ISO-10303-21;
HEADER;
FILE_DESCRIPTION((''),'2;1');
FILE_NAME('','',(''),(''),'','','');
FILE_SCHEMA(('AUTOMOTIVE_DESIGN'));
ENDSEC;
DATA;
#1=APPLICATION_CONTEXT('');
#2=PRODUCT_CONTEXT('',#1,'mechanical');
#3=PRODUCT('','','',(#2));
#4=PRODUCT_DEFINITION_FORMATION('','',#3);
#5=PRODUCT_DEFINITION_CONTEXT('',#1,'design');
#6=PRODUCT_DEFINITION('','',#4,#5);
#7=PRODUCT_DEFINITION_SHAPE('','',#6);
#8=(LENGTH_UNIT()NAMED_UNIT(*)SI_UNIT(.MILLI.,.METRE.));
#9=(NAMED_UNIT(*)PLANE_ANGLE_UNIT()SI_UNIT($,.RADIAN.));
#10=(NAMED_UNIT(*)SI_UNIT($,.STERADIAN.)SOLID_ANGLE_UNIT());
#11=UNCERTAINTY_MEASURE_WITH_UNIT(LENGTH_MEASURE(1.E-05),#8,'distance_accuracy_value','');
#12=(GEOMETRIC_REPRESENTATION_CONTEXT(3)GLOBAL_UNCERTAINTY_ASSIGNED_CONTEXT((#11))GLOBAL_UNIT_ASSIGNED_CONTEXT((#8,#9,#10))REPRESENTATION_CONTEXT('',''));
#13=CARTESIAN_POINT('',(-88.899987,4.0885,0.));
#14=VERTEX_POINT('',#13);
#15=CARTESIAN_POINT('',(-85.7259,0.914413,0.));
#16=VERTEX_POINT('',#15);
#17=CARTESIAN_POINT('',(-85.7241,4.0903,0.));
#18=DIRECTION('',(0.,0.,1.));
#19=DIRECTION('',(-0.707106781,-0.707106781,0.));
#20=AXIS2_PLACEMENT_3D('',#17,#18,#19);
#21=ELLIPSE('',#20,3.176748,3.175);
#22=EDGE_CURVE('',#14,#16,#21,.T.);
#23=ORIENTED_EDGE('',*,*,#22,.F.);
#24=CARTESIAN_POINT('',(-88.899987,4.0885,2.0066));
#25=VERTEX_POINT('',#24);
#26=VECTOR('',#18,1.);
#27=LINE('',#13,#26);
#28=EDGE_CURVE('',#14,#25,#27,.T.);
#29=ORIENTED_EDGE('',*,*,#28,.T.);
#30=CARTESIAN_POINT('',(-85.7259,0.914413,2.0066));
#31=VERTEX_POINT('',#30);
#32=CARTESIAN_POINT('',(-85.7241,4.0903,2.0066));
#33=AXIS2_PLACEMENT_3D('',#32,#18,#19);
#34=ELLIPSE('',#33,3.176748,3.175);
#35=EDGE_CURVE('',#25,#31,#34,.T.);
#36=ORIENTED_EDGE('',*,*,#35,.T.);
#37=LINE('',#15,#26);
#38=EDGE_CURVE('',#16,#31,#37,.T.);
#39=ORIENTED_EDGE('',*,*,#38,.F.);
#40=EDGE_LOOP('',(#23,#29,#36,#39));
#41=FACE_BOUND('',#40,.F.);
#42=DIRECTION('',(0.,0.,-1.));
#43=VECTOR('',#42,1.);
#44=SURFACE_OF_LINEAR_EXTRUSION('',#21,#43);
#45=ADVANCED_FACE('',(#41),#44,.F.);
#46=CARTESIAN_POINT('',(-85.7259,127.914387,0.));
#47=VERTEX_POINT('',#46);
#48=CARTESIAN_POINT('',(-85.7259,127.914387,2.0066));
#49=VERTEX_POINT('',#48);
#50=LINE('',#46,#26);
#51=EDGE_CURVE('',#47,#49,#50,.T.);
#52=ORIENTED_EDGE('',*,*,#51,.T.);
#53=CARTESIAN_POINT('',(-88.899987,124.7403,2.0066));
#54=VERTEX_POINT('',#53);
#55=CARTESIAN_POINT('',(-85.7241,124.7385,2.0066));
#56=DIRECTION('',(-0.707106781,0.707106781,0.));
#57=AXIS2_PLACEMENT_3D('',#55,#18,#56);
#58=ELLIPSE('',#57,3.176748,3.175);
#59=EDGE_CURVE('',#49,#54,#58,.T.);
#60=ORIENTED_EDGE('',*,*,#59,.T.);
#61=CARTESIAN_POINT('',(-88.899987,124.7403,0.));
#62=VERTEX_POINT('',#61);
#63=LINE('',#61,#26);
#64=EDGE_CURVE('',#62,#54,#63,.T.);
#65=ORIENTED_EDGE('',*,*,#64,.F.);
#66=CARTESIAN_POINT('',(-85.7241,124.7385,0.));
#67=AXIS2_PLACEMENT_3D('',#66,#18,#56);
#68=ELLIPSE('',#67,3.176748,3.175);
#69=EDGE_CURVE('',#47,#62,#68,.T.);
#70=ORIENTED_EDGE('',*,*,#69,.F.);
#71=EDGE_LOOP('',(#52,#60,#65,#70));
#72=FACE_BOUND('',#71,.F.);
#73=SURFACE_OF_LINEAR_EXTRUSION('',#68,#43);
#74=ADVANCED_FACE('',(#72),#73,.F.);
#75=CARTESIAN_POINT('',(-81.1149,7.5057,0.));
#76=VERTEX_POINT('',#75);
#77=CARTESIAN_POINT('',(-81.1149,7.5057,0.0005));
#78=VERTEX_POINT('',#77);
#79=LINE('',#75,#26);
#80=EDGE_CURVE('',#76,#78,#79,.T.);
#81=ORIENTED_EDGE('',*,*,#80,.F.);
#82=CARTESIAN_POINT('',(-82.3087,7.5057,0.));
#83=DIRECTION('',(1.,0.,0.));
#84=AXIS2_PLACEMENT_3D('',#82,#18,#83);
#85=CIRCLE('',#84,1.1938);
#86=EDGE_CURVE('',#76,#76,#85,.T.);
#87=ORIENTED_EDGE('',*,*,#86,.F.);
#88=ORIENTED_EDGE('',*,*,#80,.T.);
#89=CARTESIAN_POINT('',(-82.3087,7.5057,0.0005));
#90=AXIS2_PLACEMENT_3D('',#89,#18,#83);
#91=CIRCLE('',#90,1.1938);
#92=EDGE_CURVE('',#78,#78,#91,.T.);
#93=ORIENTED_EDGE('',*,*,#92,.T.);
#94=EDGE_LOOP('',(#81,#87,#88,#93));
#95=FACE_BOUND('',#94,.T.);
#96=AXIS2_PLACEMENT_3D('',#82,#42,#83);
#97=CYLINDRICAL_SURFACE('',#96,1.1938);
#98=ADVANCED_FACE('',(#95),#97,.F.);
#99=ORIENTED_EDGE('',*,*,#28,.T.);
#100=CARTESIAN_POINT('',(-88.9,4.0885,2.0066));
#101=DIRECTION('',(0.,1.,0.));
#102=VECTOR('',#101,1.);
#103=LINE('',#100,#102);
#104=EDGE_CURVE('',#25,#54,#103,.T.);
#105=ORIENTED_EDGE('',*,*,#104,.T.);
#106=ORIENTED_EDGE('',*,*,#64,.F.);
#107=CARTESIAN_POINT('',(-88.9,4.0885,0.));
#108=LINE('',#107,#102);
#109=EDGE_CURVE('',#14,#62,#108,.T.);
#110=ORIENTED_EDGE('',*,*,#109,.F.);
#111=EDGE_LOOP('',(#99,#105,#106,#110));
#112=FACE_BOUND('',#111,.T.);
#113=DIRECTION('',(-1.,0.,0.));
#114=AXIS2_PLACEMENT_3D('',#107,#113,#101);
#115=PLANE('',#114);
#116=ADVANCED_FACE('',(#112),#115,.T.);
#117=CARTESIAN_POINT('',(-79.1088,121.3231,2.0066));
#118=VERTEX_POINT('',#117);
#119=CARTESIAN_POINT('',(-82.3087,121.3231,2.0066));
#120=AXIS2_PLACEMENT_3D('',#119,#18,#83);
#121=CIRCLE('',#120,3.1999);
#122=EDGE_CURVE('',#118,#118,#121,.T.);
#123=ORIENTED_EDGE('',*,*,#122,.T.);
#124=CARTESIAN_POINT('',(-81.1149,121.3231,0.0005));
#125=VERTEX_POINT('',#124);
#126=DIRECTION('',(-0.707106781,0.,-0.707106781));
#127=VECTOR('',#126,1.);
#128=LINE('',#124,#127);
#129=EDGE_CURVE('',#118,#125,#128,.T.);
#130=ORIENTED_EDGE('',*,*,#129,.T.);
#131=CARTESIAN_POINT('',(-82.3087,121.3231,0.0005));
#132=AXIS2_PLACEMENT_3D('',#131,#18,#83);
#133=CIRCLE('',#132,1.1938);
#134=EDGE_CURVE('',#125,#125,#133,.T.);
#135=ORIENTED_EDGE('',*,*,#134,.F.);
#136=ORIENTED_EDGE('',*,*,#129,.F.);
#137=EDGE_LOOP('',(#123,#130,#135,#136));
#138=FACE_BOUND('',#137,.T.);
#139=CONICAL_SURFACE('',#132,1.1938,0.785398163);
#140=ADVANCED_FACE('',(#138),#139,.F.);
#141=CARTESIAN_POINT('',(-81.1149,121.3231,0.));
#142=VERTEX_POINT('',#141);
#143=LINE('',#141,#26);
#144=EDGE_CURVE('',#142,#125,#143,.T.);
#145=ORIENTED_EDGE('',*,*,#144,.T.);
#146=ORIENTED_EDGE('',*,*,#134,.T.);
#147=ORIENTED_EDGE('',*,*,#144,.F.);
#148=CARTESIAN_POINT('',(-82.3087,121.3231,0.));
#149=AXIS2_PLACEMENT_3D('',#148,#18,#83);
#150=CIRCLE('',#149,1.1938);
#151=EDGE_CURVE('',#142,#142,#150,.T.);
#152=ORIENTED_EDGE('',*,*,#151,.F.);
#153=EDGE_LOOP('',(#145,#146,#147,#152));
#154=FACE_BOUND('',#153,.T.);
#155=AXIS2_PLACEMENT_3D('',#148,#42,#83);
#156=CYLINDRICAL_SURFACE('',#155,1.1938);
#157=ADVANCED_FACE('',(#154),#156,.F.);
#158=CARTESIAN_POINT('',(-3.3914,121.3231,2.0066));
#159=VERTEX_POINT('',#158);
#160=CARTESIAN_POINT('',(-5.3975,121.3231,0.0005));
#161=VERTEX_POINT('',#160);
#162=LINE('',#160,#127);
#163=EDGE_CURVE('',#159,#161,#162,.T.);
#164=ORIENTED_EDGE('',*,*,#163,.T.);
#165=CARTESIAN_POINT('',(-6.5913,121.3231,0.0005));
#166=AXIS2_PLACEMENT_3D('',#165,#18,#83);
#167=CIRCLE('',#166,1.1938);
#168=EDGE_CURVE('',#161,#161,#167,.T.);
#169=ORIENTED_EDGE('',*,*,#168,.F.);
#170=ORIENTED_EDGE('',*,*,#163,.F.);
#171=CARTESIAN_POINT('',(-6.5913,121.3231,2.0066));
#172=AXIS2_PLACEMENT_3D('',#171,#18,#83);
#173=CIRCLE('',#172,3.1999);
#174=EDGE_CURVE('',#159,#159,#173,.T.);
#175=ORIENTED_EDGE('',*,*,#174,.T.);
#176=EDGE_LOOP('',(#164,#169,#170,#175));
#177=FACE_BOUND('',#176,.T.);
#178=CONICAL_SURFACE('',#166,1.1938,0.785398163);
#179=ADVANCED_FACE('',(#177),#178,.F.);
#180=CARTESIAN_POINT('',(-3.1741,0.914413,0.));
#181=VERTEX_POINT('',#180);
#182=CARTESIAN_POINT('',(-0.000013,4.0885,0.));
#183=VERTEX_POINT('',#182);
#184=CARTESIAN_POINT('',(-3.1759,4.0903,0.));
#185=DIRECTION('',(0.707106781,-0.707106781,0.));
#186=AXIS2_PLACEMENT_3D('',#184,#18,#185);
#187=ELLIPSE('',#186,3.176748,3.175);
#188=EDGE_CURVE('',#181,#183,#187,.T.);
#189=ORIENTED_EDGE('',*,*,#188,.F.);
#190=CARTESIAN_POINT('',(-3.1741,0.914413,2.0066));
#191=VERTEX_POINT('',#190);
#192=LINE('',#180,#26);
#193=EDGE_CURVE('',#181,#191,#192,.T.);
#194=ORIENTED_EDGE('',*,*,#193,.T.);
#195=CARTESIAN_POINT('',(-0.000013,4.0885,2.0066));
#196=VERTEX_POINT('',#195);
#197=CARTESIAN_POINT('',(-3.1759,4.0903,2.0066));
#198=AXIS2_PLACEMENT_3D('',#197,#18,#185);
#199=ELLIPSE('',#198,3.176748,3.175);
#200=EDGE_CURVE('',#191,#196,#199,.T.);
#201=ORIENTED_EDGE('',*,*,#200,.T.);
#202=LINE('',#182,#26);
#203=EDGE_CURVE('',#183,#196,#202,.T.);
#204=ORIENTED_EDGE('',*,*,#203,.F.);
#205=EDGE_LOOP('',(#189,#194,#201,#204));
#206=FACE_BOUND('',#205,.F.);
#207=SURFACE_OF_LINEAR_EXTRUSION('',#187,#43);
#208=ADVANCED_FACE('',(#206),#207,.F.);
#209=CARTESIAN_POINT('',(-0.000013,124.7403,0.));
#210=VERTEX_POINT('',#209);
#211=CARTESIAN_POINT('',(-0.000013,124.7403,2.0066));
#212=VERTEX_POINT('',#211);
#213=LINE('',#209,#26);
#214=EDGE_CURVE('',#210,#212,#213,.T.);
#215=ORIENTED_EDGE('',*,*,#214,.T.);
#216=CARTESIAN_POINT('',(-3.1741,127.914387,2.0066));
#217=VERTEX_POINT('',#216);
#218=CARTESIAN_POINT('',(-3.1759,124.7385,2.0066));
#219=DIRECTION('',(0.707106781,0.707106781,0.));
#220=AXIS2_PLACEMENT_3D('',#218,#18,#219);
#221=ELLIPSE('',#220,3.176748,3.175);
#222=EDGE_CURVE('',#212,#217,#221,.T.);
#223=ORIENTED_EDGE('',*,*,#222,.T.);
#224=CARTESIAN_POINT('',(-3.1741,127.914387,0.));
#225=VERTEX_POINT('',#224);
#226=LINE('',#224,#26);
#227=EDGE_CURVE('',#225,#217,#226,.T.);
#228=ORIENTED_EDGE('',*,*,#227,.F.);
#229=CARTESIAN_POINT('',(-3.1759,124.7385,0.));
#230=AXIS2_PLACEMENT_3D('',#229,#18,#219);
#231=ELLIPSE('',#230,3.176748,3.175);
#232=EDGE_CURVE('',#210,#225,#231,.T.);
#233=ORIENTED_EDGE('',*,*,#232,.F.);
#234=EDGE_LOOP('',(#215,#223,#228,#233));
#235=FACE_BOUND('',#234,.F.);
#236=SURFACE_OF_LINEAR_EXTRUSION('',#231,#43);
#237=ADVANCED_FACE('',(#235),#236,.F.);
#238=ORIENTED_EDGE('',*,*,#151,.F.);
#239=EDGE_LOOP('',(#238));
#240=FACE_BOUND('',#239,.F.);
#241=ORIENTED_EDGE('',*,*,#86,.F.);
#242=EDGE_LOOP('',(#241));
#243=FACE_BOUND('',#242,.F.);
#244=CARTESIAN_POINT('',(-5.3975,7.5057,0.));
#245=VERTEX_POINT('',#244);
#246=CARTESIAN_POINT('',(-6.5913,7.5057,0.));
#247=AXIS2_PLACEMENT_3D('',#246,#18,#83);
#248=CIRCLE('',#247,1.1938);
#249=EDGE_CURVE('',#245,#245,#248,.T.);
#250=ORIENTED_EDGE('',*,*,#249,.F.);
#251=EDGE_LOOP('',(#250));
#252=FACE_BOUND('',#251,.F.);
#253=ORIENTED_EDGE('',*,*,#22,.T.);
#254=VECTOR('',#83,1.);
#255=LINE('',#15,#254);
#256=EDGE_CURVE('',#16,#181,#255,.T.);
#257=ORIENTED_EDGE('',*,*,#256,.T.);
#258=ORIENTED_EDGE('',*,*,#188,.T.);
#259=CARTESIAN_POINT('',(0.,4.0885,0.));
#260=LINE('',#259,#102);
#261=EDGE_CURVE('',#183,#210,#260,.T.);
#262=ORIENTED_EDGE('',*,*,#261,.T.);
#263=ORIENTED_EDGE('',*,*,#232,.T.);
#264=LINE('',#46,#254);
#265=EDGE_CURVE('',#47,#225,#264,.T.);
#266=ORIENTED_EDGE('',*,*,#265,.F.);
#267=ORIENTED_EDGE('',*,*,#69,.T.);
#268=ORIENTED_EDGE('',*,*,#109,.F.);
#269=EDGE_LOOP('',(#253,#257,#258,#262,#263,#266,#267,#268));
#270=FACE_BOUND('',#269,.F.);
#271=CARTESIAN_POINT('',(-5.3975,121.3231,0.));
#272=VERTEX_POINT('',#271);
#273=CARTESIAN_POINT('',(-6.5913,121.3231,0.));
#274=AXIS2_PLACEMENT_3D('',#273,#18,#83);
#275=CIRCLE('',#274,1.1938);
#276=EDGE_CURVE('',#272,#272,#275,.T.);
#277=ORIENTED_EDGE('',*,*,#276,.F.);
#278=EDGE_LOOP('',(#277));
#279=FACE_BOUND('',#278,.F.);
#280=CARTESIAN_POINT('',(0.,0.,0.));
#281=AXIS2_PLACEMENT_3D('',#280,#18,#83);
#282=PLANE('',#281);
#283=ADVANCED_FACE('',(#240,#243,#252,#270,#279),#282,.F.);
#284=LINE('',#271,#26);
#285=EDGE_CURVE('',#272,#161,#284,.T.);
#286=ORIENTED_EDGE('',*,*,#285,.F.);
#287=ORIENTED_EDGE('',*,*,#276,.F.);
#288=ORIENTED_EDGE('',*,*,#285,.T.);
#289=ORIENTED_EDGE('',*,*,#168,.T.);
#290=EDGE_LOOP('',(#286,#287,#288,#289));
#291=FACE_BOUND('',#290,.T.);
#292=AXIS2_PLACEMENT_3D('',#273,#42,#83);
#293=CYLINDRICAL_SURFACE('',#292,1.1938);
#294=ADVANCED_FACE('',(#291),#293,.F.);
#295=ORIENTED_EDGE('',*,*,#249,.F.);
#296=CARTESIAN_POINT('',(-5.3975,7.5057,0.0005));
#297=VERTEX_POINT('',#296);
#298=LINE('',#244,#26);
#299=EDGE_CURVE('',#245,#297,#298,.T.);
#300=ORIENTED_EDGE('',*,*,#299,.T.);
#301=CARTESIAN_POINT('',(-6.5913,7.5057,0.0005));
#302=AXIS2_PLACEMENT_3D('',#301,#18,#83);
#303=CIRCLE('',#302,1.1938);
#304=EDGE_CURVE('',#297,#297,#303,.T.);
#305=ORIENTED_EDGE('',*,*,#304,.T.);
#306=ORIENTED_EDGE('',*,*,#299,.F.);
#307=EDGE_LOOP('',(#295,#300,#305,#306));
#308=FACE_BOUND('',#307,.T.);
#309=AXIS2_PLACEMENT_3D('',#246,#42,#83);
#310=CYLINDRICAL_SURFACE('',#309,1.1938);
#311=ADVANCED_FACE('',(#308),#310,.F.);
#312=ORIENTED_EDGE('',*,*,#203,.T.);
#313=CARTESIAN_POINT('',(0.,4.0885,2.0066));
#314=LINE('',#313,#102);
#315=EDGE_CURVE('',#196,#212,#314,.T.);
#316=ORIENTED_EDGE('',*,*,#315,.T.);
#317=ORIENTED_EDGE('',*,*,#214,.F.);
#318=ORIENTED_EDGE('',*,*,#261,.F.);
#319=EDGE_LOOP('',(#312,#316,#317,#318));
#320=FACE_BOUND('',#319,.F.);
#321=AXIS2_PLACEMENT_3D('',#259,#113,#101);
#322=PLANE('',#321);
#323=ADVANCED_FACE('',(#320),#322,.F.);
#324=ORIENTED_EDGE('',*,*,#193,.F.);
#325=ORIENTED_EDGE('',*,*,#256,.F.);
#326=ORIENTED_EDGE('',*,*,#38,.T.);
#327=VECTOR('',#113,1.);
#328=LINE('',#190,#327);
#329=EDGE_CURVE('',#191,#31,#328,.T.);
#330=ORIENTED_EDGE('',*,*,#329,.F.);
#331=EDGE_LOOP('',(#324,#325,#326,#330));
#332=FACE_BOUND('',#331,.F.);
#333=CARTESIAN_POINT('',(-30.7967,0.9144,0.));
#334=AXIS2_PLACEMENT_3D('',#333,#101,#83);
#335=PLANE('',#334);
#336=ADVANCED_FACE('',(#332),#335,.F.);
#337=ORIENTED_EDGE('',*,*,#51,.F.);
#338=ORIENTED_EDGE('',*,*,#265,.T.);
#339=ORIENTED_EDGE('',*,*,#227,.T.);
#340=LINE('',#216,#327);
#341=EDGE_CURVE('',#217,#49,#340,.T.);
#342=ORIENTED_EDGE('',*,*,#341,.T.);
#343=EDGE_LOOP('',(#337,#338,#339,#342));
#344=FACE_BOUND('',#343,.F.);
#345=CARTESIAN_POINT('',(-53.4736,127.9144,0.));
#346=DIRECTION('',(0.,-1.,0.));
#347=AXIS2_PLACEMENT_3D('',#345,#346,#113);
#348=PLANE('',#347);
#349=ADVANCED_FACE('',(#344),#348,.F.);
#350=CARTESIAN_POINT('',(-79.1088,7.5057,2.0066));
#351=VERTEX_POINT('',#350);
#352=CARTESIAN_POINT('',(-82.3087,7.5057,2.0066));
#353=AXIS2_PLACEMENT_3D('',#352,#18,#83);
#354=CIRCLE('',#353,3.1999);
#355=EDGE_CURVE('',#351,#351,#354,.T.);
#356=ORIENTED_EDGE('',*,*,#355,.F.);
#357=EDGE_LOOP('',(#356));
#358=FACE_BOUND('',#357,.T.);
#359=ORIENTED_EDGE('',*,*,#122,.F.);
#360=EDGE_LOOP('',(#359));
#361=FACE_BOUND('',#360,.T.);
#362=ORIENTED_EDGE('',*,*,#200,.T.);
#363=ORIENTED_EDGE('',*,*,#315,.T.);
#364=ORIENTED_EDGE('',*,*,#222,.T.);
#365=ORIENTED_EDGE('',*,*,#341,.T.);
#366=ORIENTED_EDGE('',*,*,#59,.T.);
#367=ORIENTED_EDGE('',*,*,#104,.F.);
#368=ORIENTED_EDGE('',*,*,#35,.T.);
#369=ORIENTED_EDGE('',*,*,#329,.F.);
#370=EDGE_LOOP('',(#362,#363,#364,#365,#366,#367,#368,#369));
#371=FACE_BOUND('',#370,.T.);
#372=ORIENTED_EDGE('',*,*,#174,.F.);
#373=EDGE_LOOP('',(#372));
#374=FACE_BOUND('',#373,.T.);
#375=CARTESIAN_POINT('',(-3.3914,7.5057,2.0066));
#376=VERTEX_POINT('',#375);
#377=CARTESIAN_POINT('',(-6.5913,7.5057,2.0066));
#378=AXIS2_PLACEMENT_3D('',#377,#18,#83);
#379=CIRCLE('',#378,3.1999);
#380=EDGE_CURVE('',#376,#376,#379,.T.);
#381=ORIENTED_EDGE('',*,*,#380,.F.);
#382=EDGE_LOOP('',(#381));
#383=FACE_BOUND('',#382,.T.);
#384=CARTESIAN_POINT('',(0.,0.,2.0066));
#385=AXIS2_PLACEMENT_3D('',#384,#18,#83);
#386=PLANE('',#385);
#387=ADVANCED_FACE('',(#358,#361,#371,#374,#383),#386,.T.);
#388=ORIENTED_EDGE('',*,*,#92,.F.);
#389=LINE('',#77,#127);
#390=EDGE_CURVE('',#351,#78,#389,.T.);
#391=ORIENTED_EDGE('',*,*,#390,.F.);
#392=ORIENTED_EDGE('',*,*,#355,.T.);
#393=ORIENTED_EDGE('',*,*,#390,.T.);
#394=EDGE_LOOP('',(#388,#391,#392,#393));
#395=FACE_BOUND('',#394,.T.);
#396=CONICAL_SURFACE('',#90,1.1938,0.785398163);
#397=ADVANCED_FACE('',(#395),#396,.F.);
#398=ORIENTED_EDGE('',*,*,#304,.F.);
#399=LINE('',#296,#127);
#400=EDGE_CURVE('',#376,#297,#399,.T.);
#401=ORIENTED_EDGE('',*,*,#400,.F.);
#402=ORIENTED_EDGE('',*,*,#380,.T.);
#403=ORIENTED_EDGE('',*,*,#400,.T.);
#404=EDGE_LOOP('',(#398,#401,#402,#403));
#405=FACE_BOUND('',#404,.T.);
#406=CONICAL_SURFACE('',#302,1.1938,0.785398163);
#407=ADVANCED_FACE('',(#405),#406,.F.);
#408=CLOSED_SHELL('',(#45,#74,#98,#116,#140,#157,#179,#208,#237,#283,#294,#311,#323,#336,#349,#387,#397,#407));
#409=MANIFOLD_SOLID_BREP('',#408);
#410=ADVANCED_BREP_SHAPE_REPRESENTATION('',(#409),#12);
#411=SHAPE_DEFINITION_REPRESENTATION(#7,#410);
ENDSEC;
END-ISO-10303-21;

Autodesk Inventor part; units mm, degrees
ref_plane "YZ Plane" through (0, 0, 0) normal (1, 0, 0) x (0, 1, 0)
ref_plane "XZ Plane" through (0, 0, 0) normal (0, 1, 0) x (-1, 0, 0)
ref_plane "XY Plane" through (0, 0, 0) normal (0, 0, 1) x (1, 0, 0)
sketch "Sketch1" plane through (0, 0, 0) normal (0, 0, 1) x (1, 0, 0)
  line L0 (0, 4.0885) -> (0, 124.7403) projected
  ellipse E0 centre (-3.1759, 124.7385) end of major axis (-0.9296, 126.9848) minor radius 3.175 (0, 124.7403) -> (-3.1741, 127.9144) ccw projected
  line L1 (-3.1741, 127.9144) -> (-35.4736, 127.9144) projected
  line L2 (-53.4736, 127.9144) -> (-85.7259, 127.9144) projected
  ellipse E1 centre (-85.7241, 124.7385) end of major axis (-87.9704, 126.9848) minor radius 3.175 (-85.7259, 127.9144) -> (-88.9, 124.7403) ccw projected
  line L3 (-88.9, 4.0885) -> (-88.9, 124.7403) projected
  ellipse E2 centre (-85.7241, 4.0903) end of major axis (-87.9704, 1.844) minor radius 3.175 (-88.9, 4.0885) -> (-85.7259, 0.9144) ccw projected
  line L4 (-85.7259, 0.9144) -> (-61.8967, 0.9144) projected
  line L5 (-30.7967, 0.9144) -> (-3.1741, 0.9144) projected
  ellipse E3 centre (-3.1759, 4.0903) end of major axis (-0.9296, 1.844) minor radius 3.175 (-3.1741, 0.9144) -> (0, 4.0885) ccw projected
  circle A0 centre (-6.5913, 7.5057) radius 1.1938 projected
  circle A1 centre (-13.8176, 14.732) radius 1.1938 projected
  circle A2 centre (-82.3087, 7.5057) radius 1.1938 projected
  circle A3 centre (-75.0824, 14.732) radius 1.1938 projected
  circle A4 centre (-82.3087, 121.3231) radius 1.1938 projected
  circle A5 centre (-75.0824, 114.0968) radius 1.1938 projected
  circle A6 centre (-6.5913, 121.3231) radius 1.1938 projected
  circle A7 centre (-13.8176, 114.0968) radius 1.1938 projected
  line L6 (-53.4736, 127.9144) -> (-35.4736, 127.9144)
  line L7 (-61.8967, 0.9144) -> (-30.7967, 0.9144)
  point P0 (0, 0)
extrude "Extrusion1" add sketch "Sketch1" along normal blind 2.0066 contours E3 L5 L7 L4 E2 L3 E1 L2 L6 L1 E0 L0 | A1 | A3 | A5 | A7
chamfer "Chamfer1" distance 2.0066 distance2 2.0066 1 edges at (-7.7851, 121.3231, 2.0066) measured on face at (-48.7223, 43.2477, 2.0066)
chamfer "Chamfer2" distance 2.0066 distance2 2.0066 1 edges at (-83.5025, 121.3231, 2.0066) measured on face at (-48.7223, 43.2477, 2.0066)
chamfer "Chamfer3" distance 2.0066 distance2 2.0066 1 edges at (-83.5025, 7.5057, 2.0066) measured on face at (-48.7223, 43.2477, 2.0066)
chamfer "Chamfer4" distance 2.0066 distance2 2.0066 1 edges at (-7.7851, 7.5057, 2.0066) measured on face at (-54.9204, 46.3227, 2.0066)
properties part number "lid"
